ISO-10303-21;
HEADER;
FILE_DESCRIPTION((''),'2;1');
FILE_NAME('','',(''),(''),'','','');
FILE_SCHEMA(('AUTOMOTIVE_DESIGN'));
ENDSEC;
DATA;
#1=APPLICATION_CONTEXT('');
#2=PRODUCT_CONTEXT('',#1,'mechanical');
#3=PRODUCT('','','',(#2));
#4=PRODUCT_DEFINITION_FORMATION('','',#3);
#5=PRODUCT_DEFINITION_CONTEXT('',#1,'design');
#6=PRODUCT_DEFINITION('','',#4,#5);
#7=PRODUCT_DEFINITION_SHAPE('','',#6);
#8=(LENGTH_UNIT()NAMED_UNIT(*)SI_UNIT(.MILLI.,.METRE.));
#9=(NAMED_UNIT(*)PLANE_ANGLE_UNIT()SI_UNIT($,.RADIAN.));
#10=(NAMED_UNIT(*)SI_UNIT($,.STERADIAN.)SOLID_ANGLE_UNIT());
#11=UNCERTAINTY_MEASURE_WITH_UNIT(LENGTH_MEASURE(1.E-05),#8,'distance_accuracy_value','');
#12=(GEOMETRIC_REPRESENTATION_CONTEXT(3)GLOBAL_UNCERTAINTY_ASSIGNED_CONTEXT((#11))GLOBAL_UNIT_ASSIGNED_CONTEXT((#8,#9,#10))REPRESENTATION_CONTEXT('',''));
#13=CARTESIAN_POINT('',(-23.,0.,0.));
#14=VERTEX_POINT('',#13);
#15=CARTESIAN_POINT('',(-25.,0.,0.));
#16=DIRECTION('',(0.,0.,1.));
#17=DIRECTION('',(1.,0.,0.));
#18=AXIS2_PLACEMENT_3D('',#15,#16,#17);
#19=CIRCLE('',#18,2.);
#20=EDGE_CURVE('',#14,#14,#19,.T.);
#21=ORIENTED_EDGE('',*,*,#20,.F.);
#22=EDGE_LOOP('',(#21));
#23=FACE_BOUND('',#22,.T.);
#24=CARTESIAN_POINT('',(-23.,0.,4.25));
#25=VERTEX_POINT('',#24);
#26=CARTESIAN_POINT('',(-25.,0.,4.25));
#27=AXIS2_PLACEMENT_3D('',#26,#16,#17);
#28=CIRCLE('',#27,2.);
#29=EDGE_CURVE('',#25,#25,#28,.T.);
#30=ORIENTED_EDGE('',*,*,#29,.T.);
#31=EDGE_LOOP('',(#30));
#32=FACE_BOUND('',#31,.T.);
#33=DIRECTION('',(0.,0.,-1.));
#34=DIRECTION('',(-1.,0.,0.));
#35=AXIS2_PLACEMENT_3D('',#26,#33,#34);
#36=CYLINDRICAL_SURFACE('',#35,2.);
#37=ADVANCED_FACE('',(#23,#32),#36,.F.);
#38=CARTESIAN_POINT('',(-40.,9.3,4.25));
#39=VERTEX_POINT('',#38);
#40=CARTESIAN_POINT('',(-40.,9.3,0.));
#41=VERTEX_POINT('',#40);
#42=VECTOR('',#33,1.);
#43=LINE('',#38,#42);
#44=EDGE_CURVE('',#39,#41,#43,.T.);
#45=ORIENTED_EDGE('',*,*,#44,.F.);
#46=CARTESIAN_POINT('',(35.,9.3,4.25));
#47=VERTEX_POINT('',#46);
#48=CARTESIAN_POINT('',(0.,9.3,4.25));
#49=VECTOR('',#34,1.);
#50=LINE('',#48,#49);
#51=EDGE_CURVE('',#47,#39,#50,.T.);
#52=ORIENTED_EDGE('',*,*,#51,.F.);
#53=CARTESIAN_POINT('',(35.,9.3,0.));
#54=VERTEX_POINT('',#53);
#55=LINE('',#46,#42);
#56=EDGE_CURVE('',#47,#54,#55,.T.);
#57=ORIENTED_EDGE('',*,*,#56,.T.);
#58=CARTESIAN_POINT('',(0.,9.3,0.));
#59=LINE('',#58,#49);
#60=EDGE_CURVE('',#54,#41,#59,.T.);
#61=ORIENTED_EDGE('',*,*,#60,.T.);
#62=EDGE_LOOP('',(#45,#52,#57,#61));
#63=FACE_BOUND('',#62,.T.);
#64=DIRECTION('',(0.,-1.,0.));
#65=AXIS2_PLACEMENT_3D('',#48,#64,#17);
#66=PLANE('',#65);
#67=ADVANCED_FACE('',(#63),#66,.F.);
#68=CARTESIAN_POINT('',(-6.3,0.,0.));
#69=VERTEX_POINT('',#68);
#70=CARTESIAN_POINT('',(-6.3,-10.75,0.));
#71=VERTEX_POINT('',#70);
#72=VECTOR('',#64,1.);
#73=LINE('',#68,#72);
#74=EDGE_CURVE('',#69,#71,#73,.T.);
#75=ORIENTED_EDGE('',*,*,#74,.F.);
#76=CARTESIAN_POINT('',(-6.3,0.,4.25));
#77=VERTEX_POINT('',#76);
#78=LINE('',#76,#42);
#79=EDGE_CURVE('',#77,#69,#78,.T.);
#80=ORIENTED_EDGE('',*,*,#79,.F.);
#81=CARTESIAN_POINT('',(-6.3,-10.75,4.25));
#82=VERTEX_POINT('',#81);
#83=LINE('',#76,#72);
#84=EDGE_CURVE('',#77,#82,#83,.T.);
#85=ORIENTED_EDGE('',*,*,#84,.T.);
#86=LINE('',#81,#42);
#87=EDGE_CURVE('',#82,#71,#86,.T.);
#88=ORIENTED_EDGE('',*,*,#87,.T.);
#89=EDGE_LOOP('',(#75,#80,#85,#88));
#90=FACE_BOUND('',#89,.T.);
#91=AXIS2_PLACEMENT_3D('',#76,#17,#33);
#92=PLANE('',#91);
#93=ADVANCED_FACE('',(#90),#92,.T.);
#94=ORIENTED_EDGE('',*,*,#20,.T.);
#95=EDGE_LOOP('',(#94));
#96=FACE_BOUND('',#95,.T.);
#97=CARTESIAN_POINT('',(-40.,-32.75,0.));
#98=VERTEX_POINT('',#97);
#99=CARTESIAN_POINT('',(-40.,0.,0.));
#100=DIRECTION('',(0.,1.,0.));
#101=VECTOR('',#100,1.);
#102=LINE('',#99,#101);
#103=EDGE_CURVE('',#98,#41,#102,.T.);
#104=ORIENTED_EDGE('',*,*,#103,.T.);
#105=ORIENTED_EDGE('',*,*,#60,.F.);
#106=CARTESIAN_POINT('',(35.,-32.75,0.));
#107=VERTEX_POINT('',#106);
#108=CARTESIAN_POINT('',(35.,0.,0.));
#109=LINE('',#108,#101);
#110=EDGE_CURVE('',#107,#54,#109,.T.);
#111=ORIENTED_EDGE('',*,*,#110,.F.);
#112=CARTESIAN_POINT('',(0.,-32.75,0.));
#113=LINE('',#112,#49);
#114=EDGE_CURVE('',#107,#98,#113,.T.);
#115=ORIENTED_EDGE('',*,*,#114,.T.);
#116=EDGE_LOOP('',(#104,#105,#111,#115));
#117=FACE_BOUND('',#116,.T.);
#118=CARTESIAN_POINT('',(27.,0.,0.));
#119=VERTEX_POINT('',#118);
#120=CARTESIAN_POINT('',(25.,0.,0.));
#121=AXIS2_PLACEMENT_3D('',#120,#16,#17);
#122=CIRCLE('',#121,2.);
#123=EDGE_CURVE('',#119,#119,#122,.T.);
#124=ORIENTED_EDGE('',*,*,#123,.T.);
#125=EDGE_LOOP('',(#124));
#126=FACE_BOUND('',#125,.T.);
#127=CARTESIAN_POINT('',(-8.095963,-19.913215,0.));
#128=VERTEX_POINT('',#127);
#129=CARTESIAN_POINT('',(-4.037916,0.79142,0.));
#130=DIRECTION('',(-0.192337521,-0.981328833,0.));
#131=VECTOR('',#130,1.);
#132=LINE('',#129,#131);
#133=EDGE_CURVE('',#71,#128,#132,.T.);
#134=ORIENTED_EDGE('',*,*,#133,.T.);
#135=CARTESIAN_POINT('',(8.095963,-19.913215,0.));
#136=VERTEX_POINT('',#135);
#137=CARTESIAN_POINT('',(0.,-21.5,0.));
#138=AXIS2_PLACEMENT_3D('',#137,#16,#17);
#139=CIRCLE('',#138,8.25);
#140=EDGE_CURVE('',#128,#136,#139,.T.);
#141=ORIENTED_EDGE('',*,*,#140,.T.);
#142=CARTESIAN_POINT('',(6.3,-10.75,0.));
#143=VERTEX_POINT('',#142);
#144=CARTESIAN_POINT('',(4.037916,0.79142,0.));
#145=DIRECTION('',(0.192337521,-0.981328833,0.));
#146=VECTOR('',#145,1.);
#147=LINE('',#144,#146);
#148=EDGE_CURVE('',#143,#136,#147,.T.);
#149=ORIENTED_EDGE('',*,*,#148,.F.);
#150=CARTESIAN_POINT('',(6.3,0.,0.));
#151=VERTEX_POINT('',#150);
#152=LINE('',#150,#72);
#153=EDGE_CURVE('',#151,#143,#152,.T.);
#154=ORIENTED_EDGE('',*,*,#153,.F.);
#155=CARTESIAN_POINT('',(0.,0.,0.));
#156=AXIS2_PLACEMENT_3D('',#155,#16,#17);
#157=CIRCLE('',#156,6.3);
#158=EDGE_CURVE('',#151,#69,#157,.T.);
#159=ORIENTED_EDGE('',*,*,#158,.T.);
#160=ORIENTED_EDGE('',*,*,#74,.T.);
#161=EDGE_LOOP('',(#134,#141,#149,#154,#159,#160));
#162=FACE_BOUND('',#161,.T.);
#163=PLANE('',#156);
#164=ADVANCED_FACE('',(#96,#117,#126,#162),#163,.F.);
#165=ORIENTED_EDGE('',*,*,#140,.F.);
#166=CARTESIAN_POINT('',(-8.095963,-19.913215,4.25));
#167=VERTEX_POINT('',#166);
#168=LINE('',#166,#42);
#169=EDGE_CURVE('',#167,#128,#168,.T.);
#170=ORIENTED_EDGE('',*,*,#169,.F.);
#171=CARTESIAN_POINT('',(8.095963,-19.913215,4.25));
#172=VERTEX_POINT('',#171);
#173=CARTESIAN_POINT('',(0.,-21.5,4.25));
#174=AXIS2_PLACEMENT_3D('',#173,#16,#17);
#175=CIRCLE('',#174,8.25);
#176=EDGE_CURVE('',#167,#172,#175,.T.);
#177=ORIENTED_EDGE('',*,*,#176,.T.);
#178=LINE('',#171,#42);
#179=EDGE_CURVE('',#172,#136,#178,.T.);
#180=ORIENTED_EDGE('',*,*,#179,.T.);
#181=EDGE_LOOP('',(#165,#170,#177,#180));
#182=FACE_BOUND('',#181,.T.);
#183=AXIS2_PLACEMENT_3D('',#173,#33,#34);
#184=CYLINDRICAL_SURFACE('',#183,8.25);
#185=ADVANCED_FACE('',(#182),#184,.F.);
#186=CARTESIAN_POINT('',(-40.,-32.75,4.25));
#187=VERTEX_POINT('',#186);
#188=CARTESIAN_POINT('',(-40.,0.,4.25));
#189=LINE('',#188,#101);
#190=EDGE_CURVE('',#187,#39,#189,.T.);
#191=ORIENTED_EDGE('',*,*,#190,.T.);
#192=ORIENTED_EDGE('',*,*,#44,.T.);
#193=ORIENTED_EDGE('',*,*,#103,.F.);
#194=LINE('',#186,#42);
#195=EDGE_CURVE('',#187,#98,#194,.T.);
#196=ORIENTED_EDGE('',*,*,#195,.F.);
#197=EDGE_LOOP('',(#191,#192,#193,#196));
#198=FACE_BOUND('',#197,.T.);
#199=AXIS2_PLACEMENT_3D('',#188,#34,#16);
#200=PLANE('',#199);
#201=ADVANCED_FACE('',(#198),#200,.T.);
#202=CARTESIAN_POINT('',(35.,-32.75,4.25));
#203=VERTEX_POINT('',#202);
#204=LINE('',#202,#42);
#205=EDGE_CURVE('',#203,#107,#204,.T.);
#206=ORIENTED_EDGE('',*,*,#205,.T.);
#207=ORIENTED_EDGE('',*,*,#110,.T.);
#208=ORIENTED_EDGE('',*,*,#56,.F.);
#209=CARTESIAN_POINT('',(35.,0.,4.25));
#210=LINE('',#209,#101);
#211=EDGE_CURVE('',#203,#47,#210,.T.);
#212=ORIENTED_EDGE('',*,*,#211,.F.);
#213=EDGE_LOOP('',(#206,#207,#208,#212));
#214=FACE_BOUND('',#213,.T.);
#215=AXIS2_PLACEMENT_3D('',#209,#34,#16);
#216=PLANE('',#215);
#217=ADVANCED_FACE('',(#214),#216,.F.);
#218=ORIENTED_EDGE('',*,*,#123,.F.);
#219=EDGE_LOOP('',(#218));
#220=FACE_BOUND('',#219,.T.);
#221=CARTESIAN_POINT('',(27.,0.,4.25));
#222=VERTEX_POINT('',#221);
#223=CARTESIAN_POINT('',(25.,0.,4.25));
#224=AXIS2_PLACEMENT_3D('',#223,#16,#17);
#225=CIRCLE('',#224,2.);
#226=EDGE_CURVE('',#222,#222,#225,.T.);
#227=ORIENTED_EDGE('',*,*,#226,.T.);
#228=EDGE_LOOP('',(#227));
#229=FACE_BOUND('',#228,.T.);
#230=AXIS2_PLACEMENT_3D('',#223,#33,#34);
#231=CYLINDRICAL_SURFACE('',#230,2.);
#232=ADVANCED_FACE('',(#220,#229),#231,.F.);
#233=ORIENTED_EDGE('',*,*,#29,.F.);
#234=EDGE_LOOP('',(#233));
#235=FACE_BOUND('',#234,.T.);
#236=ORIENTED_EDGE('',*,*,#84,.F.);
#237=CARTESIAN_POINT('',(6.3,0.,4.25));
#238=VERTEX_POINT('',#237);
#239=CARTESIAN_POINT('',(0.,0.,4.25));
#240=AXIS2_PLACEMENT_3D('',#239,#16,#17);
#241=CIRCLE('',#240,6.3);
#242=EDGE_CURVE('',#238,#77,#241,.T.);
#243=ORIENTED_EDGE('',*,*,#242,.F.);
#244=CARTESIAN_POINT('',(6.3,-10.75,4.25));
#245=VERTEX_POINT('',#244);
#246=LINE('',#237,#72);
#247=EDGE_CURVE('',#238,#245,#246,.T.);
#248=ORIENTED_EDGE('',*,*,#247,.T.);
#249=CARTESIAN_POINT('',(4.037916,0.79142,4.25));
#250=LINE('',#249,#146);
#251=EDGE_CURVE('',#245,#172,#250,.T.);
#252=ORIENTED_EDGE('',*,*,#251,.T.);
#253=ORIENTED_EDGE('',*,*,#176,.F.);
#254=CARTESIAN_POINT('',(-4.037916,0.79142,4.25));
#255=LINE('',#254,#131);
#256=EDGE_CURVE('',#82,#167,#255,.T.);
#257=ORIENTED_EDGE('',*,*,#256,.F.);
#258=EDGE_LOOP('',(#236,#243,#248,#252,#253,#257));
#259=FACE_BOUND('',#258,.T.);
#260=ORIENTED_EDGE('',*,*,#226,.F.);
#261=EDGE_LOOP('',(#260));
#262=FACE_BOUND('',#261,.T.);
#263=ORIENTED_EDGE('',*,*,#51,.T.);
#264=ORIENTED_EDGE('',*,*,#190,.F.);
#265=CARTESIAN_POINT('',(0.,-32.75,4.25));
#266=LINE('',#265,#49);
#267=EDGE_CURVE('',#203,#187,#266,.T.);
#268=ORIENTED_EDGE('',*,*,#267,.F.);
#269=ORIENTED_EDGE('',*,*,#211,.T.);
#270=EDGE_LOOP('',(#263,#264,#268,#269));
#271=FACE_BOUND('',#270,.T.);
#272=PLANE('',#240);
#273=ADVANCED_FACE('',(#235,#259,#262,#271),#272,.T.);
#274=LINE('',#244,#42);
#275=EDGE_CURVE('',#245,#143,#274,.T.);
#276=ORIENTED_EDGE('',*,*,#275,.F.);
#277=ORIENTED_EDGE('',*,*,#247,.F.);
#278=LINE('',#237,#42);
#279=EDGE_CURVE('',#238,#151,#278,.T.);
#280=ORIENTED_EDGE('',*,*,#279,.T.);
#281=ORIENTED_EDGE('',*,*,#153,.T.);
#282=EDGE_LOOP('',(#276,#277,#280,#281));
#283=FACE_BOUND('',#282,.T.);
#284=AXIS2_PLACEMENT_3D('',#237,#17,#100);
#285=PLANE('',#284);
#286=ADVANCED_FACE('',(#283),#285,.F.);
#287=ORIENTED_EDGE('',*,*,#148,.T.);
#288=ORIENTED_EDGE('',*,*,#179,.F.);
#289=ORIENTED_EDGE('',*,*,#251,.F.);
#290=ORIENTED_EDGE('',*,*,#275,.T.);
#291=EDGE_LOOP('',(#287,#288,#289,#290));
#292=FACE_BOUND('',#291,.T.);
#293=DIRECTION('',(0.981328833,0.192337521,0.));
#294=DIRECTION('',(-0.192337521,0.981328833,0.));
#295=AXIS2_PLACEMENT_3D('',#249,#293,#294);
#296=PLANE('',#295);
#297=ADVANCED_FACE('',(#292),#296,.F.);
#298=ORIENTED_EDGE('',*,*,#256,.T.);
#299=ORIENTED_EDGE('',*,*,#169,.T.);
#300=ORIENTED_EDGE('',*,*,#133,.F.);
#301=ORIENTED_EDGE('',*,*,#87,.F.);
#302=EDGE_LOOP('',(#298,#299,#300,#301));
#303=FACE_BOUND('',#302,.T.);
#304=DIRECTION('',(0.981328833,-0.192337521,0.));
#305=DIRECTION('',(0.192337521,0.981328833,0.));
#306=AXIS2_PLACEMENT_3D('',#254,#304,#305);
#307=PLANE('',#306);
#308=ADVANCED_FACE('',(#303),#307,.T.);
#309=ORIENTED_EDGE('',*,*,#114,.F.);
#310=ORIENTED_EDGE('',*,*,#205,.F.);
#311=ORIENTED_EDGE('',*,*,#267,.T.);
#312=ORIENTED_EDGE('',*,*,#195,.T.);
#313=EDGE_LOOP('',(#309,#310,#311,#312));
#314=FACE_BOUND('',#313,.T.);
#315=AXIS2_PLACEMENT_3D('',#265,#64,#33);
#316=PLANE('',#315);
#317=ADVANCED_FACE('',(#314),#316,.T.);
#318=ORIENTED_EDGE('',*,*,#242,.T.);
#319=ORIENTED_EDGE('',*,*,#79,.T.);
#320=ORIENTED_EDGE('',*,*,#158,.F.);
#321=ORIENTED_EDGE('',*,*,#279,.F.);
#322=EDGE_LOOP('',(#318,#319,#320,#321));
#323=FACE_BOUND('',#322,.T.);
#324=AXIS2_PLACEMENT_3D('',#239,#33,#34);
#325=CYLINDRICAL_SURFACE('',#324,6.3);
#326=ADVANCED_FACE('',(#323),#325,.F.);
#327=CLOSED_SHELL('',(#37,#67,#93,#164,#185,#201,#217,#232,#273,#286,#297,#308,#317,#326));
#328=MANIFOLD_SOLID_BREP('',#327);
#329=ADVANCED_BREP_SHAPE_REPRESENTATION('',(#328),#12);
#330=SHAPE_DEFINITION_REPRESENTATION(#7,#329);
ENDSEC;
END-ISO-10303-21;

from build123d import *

# Parameters (mm, degrees)
SKETCH1_W           = 75
SKETCH1_H           = 42.05
SKETCH1_R           = 2
BOSS_EXTRUDE2_DEPTH = 4.25


with BuildPart() as part:
    # Sketch1 → Boss-Extrude2 (new body)
    with BuildSketch(Plane.XY):
        with Locations((-2.5, -11.725)):
            Rectangle(SKETCH1_W, SKETCH1_H)
        with Locations((-25, 0)):
            Circle(SKETCH1_R, mode=Mode.SUBTRACT)
        with Locations((25, 0)):
            Circle(SKETCH1_R, mode=Mode.SUBTRACT)
        with BuildLine():
            ThreePointArc((-8.09596287, -19.913215449), (0, -29.75), (8.09596287, -19.913215449))
            Line((8.09596287, -19.913215449), (6.3, -10.75))
            Line((6.3, -10.75), (6.3, 0))
            ThreePointArc((6.3, 0), (0, 6.3), (-6.3, 0))
            Line((-6.3, 0), (-6.3, -10.75))
            Line((-6.3, -10.75), (-8.09596287, -19.913215449))
        make_face(mode=Mode.SUBTRACT)
    extrude(amount=BOSS_EXTRUDE2_DEPTH)


solid = part.part
